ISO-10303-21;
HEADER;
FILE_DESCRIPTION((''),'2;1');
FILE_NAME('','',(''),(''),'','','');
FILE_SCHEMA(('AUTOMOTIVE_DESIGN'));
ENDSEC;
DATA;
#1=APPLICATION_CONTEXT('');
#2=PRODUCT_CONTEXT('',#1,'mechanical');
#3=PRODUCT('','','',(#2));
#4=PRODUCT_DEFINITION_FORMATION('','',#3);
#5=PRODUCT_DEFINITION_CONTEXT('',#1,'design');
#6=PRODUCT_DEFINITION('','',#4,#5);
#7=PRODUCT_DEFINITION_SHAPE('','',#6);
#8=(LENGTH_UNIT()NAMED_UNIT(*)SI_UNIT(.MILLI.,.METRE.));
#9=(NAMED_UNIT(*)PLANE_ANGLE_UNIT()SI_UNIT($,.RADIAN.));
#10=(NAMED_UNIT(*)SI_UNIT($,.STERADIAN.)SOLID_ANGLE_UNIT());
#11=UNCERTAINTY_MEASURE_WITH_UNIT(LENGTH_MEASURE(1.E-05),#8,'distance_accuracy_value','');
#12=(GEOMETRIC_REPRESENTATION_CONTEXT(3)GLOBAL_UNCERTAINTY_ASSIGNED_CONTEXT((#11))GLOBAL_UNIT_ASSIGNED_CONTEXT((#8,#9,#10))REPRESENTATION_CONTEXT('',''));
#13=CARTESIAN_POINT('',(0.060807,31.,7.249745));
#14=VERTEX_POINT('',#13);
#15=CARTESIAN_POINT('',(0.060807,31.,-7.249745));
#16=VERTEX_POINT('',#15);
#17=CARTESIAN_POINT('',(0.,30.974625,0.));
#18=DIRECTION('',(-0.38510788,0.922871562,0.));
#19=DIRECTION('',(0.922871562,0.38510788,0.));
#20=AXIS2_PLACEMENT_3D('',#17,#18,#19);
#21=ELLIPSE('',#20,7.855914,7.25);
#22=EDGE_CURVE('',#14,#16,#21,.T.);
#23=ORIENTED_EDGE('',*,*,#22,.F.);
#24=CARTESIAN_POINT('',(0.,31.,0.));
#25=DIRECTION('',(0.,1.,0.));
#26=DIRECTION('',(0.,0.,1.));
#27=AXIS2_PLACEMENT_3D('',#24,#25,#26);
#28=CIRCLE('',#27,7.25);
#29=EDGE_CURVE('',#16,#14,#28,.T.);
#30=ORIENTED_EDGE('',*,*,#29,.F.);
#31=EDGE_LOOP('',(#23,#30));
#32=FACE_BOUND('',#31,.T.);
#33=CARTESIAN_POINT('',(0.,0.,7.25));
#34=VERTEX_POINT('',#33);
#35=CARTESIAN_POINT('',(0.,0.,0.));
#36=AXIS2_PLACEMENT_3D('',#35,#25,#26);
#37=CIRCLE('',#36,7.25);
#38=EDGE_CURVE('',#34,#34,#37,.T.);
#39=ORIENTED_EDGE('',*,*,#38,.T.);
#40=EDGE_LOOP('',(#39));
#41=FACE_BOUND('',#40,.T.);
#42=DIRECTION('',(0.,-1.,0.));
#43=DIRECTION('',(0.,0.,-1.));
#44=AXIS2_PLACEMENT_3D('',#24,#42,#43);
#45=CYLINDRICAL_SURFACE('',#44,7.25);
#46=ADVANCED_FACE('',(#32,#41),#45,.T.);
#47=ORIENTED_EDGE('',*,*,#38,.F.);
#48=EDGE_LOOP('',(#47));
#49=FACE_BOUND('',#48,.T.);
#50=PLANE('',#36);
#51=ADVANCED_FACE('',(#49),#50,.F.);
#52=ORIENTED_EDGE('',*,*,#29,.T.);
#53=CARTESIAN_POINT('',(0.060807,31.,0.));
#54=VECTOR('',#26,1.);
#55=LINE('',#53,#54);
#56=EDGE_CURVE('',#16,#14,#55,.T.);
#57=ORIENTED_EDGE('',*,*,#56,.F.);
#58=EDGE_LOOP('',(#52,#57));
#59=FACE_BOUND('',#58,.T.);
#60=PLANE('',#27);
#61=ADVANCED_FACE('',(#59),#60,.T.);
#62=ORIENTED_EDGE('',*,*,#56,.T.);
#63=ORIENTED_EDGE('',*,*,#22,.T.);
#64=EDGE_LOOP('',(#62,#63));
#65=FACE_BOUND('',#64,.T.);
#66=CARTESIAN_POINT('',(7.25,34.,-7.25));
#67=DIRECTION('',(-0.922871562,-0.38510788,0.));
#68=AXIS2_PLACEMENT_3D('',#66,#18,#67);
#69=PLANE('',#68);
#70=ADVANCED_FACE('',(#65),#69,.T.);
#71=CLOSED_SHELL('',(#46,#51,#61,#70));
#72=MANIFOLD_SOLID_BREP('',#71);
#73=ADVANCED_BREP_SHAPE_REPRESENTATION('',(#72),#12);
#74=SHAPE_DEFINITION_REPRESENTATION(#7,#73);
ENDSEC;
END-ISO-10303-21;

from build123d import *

# Parameters (mm, degrees)
SKETCH1_R                = 7.25
BOSS_EXTRUDE1_DEPTH      = 31
BOSS_EXTRUDE2_DEPTH      = 7.25
BOSS_EXTRUDE2_DEPTH_BACK = 7.25
CUT_EXTRUDE1_DEPTH       = 7.25
CUT_EXTRUDE1_DEPTH_BACK  = 7.25
SKETCH3_R                = 10.663559867
SKETCH3_R_2              = 7.25


with BuildPart() as part:
    # Sketch1 → Boss-Extrude1 (new body)
    with BuildSketch(Plane(origin=(0, 0, 0), x_dir=(1, 0, 0), z_dir=(0, 1, 0))):
        Circle(SKETCH1_R)
    extrude(amount=BOSS_EXTRUDE1_DEPTH)

    # Sketch2 → Boss-Extrude2 (add, two sides: drawn at the far end of the back side and taken through both)
    with BuildSketch(Plane.XY.offset(-BOSS_EXTRUDE2_DEPTH_BACK)):
        Polygon((0, 30.974625455), (7.25, 31), (7.25, 34), align=None)
    extrude(amount=BOSS_EXTRUDE2_DEPTH + BOSS_EXTRUDE2_DEPTH_BACK)

    # Sketch3 → Cut-Extrude1 (cut, two sides: drawn at the far end of the back side and taken through both)
    with BuildSketch(Plane(origin=(0, 31, 0), x_dir=(1, 0, 0), z_dir=(0, 1, 0)).offset(-CUT_EXTRUDE1_DEPTH_BACK)):
        Circle(SKETCH3_R)
        Circle(SKETCH3_R_2, mode=Mode.SUBTRACT)
    extrude(amount=CUT_EXTRUDE1_DEPTH + CUT_EXTRUDE1_DEPTH_BACK, mode=Mode.SUBTRACT)


solid = part.part
